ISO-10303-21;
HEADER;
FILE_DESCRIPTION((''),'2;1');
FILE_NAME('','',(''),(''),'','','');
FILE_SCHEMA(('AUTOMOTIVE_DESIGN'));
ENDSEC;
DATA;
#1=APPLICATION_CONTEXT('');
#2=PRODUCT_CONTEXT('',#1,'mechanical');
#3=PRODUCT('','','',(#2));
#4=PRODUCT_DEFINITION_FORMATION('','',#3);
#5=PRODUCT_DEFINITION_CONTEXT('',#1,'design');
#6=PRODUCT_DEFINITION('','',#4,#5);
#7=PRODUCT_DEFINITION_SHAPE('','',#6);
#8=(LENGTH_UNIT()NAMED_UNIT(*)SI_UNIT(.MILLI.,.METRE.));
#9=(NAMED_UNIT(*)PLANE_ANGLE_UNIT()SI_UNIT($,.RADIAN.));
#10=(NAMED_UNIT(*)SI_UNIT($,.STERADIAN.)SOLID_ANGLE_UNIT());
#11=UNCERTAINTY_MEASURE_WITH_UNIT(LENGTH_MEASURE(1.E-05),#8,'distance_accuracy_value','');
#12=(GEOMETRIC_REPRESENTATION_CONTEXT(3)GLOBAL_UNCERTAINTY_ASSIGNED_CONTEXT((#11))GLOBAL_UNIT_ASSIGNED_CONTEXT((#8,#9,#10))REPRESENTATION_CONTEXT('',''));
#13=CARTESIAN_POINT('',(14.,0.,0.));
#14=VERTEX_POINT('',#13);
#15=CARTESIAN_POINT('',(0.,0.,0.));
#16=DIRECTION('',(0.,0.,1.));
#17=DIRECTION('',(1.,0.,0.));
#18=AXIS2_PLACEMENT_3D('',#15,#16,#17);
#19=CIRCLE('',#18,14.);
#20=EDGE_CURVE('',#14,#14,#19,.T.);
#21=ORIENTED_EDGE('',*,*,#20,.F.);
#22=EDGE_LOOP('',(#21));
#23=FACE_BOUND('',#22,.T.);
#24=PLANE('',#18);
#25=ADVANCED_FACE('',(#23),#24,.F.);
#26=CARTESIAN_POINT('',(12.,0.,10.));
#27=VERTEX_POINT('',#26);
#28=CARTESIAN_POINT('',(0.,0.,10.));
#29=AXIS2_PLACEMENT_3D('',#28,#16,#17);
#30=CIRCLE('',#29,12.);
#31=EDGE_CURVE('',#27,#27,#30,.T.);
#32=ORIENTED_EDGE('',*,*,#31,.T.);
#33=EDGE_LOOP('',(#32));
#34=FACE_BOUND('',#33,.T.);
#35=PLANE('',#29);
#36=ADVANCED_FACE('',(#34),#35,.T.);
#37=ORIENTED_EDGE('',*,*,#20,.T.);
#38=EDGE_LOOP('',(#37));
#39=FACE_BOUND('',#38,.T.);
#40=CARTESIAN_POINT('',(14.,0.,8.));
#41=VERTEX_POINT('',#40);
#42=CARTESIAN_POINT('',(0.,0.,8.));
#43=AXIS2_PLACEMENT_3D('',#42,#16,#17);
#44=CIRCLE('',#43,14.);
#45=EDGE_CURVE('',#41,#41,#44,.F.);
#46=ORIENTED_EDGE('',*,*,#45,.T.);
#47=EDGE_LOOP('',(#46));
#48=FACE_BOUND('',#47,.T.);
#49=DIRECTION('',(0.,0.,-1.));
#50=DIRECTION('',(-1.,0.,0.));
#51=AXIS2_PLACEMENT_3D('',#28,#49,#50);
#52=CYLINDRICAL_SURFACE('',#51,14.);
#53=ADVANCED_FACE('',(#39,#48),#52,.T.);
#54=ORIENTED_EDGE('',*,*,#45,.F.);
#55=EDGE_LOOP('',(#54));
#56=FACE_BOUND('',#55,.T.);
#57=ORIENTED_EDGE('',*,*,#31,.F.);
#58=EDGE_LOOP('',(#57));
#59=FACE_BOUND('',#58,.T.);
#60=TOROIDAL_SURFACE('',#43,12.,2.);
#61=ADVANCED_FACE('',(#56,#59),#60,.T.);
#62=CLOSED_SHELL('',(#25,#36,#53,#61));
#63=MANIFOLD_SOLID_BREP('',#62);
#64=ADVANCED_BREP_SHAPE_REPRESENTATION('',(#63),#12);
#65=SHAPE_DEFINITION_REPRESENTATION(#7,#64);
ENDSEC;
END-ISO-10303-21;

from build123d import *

# Parameters (mm, degrees)
SKIZZE1_R                       = 14
AUFSATZ_LINEAR_AUSTRAGEN1_DEPTH = 10
VERRUNDUNG1_R                   = 2


with BuildPart() as part:
    # Skizze1 → Aufsatz-Linear austragen1 (new body)
    with BuildSketch(Plane.XY):
        Circle(SKIZZE1_R)
    extrude(amount=AUFSATZ_LINEAR_AUSTRAGEN1_DEPTH)

    # Verrundung1
    verrundung1_edges = [part.edges().sort_by_distance(p)[0] for p in [
        (-14, 0, 10),
    ]]
    fillet(verrundung1_edges, radius=VERRUNDUNG1_R)


solid = part.part
